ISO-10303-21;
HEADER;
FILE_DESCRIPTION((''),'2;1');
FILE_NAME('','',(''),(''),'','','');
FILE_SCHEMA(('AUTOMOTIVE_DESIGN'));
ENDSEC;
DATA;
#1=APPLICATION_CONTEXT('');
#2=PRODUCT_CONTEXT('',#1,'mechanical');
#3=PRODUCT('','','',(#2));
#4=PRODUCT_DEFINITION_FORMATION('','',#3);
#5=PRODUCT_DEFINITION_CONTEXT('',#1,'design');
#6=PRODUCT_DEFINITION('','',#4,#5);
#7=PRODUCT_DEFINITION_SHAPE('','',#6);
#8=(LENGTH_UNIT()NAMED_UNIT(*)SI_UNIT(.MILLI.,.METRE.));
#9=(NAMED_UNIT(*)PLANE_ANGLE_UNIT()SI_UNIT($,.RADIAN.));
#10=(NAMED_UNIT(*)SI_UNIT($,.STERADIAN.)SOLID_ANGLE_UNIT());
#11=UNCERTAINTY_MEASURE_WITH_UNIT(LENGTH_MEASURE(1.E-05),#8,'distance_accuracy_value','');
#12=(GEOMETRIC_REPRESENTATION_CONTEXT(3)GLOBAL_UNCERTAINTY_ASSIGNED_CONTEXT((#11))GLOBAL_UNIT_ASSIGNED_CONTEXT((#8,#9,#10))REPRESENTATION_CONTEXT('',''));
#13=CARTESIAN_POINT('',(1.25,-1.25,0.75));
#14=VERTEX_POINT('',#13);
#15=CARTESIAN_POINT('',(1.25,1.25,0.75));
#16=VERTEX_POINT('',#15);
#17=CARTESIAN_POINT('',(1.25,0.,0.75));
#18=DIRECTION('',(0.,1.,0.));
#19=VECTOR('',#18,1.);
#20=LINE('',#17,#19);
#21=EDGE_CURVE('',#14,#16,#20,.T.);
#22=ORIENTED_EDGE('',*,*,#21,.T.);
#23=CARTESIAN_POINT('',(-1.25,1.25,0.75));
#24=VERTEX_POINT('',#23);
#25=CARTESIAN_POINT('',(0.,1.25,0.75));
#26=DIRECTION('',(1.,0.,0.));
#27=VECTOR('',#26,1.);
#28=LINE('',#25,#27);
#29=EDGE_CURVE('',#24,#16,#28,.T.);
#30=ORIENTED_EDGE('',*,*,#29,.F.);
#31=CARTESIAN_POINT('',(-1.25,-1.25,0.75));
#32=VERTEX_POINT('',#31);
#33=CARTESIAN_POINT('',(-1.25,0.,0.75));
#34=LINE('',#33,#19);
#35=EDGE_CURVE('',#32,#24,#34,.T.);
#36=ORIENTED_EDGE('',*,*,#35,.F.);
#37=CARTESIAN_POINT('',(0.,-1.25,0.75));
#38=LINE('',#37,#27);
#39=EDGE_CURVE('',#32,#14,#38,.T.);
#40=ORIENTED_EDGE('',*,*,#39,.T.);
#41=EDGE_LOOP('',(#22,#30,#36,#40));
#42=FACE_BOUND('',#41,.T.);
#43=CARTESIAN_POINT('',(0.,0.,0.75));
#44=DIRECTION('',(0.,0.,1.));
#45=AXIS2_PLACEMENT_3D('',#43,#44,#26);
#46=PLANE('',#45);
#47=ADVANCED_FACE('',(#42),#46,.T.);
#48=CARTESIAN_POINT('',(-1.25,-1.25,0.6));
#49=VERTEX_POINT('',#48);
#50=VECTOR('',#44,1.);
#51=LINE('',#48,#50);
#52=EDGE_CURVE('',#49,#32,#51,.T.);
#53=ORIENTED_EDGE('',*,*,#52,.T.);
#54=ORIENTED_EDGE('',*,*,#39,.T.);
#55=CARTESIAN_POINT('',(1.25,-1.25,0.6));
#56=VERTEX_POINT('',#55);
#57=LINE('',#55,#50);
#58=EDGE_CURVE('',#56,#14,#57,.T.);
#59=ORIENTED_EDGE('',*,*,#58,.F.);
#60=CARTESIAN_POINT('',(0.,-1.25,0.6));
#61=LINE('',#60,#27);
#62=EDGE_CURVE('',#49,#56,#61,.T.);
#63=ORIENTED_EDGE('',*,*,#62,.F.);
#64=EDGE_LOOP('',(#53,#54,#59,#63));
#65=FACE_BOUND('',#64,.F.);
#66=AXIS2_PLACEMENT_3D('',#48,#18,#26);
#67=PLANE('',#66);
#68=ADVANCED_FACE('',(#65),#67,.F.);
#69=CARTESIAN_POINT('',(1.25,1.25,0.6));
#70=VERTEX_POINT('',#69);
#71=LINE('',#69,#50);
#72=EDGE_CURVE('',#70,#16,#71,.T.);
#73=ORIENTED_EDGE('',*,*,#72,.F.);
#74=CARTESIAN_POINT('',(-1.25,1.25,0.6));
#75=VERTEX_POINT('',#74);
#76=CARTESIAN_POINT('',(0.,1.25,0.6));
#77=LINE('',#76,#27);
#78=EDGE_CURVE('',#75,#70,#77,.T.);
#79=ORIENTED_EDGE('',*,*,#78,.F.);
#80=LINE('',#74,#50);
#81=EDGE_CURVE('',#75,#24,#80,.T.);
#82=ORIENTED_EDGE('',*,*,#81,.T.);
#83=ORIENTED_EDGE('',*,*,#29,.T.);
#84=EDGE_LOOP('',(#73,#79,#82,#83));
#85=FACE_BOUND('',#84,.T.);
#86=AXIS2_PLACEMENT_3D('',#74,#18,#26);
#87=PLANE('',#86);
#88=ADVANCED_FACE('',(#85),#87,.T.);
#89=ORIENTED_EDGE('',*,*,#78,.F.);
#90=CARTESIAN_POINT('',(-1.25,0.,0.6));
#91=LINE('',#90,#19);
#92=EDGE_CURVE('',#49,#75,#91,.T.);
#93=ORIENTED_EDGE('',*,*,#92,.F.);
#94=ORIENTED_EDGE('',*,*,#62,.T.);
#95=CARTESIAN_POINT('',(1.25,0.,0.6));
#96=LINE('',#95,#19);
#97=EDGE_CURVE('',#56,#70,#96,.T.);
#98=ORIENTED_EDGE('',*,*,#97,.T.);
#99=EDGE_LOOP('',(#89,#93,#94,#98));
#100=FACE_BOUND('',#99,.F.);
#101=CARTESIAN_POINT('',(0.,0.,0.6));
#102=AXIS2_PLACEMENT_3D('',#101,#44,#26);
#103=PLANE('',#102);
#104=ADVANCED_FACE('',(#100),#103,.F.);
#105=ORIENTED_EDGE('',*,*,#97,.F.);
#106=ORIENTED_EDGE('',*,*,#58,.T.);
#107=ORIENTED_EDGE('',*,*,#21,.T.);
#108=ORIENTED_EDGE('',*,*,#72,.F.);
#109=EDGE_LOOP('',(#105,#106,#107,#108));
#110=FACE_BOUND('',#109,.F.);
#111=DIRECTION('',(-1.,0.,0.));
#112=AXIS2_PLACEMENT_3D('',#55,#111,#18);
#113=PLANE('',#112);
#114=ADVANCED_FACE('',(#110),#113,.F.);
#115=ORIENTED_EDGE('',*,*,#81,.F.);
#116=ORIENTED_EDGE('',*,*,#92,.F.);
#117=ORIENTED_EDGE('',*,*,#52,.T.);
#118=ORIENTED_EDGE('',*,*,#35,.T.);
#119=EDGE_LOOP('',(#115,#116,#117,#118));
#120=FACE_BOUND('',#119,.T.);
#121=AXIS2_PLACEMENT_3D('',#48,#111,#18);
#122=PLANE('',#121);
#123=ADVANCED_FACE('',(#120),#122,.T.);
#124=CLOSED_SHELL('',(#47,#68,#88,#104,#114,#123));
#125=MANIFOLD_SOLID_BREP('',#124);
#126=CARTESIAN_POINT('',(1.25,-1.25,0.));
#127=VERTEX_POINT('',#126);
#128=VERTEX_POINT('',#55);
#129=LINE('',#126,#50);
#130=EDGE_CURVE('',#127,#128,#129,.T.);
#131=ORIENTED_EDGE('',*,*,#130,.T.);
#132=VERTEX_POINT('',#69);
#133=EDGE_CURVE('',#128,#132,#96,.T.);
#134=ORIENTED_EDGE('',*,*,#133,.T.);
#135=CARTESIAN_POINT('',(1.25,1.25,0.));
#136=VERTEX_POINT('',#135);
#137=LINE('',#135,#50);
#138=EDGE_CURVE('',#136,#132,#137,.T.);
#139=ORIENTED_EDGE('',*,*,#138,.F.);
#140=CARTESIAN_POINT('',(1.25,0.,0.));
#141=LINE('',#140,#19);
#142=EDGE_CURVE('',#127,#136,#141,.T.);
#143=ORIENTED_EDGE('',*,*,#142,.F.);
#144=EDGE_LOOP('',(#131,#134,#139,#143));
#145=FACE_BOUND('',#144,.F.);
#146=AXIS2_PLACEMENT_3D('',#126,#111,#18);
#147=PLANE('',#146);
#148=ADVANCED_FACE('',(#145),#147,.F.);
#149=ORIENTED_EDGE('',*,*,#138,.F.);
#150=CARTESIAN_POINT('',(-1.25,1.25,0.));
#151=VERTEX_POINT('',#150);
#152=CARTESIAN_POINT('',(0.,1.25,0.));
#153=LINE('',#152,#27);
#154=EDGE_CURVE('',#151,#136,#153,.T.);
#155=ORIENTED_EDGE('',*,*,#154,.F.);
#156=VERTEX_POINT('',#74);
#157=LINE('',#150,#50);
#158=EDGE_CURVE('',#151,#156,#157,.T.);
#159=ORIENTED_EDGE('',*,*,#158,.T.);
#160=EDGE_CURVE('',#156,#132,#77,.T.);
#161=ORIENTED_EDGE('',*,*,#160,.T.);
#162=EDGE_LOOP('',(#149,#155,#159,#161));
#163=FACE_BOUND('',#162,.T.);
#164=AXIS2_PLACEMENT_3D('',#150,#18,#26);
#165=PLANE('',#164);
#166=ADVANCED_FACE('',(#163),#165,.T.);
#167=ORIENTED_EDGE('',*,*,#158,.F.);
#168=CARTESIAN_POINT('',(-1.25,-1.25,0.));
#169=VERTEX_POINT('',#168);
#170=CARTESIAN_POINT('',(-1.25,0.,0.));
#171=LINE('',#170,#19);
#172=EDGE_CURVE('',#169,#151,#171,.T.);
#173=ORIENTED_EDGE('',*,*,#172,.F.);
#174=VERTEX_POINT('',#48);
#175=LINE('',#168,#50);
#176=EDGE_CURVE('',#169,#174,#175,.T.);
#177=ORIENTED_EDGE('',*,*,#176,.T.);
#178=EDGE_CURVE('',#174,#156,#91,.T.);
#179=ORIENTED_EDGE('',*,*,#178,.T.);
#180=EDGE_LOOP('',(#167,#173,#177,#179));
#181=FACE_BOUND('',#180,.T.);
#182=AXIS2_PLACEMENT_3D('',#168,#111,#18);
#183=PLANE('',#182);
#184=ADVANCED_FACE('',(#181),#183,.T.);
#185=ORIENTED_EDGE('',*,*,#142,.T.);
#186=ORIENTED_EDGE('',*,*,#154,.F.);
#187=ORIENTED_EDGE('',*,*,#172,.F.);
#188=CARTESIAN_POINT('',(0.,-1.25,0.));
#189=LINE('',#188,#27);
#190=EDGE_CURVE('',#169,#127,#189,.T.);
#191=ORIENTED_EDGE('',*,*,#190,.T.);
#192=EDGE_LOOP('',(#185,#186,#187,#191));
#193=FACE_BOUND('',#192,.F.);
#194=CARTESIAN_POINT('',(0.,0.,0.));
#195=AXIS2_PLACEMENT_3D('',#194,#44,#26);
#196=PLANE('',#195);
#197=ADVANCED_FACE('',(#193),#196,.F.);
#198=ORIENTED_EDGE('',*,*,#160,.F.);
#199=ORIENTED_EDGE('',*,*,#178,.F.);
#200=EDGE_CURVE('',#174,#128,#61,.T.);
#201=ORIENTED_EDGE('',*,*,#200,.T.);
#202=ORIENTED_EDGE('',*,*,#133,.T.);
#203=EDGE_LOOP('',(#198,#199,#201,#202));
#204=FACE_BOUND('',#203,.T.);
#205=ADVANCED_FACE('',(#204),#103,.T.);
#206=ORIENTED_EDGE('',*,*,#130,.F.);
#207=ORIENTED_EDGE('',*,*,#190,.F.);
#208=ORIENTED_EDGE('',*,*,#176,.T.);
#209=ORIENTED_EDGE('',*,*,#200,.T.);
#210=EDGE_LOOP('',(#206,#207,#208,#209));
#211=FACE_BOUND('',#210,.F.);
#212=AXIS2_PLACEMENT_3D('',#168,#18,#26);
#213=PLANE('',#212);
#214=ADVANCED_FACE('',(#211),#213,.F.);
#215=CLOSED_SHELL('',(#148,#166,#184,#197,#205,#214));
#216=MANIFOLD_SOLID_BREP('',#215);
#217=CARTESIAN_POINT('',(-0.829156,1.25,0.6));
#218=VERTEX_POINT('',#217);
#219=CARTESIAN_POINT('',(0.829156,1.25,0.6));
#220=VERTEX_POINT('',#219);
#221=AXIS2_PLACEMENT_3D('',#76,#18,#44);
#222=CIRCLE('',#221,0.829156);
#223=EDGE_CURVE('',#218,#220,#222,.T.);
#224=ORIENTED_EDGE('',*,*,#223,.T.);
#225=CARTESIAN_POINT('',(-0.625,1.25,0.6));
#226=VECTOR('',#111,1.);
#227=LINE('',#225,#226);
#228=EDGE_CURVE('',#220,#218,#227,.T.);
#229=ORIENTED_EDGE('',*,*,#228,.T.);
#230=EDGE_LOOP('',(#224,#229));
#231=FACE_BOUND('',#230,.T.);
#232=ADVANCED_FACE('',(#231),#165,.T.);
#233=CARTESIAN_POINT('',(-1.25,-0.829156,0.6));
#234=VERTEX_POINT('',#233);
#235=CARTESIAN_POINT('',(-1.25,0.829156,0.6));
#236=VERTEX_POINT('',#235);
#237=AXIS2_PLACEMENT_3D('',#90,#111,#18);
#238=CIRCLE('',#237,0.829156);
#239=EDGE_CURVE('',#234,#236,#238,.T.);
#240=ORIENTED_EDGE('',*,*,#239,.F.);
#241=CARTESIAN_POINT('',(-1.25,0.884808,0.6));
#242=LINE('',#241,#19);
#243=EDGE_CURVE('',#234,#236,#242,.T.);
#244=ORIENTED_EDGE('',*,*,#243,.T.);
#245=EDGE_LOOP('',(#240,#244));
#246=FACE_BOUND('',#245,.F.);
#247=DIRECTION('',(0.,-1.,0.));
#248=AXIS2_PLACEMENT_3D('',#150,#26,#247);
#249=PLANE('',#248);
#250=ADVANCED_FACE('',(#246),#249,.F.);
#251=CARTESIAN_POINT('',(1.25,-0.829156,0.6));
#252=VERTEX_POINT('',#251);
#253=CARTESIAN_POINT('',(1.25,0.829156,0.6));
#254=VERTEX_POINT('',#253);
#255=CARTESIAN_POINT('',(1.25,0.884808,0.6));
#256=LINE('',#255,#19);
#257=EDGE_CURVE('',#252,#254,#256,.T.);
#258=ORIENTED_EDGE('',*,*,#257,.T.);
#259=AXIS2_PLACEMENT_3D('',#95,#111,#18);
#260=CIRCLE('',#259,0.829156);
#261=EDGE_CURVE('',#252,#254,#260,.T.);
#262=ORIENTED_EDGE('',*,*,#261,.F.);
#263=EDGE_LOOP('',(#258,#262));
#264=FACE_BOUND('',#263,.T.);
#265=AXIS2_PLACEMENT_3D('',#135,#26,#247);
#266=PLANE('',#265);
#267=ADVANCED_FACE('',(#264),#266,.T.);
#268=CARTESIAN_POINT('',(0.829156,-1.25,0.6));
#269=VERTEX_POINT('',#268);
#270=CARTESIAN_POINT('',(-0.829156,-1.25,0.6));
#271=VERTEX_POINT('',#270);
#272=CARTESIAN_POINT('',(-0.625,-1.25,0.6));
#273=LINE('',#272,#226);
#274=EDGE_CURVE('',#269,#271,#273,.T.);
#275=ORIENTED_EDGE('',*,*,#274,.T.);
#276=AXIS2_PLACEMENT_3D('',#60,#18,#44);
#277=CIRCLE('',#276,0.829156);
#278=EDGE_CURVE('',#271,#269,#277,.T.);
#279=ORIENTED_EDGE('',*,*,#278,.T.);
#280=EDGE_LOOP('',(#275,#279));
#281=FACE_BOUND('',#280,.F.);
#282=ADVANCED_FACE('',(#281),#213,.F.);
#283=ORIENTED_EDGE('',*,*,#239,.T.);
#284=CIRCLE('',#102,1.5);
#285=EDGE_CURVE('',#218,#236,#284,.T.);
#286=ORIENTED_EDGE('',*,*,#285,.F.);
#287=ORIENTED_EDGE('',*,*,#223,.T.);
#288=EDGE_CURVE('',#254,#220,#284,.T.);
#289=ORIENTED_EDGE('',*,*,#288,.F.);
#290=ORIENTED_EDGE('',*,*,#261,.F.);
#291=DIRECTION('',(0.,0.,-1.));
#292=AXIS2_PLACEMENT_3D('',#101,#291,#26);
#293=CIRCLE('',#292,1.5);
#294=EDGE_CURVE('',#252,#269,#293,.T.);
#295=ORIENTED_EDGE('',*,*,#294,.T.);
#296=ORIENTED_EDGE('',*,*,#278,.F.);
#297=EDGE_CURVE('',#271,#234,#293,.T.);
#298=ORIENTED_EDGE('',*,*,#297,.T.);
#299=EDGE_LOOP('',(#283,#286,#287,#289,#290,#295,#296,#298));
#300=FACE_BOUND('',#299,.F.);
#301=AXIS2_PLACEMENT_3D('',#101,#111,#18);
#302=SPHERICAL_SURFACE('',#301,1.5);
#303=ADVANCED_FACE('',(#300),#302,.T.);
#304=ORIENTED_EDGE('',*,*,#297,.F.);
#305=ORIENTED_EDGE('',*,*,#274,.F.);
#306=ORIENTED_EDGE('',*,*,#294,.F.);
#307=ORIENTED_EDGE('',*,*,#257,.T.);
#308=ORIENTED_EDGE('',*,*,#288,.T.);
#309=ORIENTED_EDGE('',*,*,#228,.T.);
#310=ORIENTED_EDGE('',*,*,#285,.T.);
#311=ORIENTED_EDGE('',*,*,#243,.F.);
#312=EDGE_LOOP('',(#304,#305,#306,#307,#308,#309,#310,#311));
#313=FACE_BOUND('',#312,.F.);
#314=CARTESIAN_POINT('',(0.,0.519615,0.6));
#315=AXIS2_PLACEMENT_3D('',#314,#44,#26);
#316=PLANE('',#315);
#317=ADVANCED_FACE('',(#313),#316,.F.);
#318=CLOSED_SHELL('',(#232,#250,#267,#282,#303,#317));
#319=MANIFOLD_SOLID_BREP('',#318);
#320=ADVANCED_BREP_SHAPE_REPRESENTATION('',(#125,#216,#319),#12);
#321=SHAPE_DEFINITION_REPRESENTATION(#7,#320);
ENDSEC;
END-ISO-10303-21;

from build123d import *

# Parameters (mm, degrees)
F0_W          = 2.5
F0_H          = 2.5
F1_DEPTH      = 0.6
F2_W          = 2.5
F2_H          = 2.5
F3_DEPTH      = 0.15
F6_ANGLE_BACK = 90
F6_ANGLE      = 180
F7_W          = 2.5
F7_H          = 2.5
F8_DEPTH      = 2.101


with BuildPart() as f1:
    # F0 (on Top) → F1 (new body)
    with BuildSketch(Plane.XY):
        Rectangle(F0_W, F0_H)
    extrude(amount=F1_DEPTH)


with BuildPart() as f3:
    # F2 (on face) → F3 (new body)
    with BuildSketch(Plane.XY.offset(0.6)):
        Rectangle(F2_W, F2_H)
    extrude(amount=F3_DEPTH)


with BuildPart() as f6:
    # F5 (on Front) → F6 (revolve)
    with BuildSketch(Plane.XZ, mode=Mode.PRIVATE) as f6_sk:
        with BuildLine():
            Line((-1.5, 0.6), (1.5, 0.6))
            ThreePointArc((1.5, 0.6), (0, 2.1), (-1.5, 0.6))
        make_face()
    revolve(f6_sk.sketch.rotate(Axis((0, 0, 0.6), (1, 0, 0)), -F6_ANGLE_BACK), axis=Axis((0, 0, 0.6), (1, 0, 0)), revolution_arc=F6_ANGLE)


with BuildPart() as f8_tool:
    # F7 (on face) → F8 (new body, through all)
    with BuildSketch(Plane(origin=(0, 0, 0), x_dir=(1, 0, 0), z_dir=(0, 0, -1))):
        Rectangle(F7_W, F7_H)
    extrude(amount=-F8_DEPTH)


with BuildPart() as f1_1:
    add(f1.part)

    # F8: intersect by f8_tool
    add(f8_tool.part, mode=Mode.INTERSECT)


with BuildPart() as f3_1:
    add(f3.part)

    # F8: intersect by f8_tool
    add(f8_tool.part, mode=Mode.INTERSECT)


with BuildPart() as f6_1:
    add(f6.part)

    # F8: intersect by f8_tool
    add(f8_tool.part, mode=Mode.INTERSECT)


solid = Compound([f1_1.part, f3_1.part, f6_1.part])
